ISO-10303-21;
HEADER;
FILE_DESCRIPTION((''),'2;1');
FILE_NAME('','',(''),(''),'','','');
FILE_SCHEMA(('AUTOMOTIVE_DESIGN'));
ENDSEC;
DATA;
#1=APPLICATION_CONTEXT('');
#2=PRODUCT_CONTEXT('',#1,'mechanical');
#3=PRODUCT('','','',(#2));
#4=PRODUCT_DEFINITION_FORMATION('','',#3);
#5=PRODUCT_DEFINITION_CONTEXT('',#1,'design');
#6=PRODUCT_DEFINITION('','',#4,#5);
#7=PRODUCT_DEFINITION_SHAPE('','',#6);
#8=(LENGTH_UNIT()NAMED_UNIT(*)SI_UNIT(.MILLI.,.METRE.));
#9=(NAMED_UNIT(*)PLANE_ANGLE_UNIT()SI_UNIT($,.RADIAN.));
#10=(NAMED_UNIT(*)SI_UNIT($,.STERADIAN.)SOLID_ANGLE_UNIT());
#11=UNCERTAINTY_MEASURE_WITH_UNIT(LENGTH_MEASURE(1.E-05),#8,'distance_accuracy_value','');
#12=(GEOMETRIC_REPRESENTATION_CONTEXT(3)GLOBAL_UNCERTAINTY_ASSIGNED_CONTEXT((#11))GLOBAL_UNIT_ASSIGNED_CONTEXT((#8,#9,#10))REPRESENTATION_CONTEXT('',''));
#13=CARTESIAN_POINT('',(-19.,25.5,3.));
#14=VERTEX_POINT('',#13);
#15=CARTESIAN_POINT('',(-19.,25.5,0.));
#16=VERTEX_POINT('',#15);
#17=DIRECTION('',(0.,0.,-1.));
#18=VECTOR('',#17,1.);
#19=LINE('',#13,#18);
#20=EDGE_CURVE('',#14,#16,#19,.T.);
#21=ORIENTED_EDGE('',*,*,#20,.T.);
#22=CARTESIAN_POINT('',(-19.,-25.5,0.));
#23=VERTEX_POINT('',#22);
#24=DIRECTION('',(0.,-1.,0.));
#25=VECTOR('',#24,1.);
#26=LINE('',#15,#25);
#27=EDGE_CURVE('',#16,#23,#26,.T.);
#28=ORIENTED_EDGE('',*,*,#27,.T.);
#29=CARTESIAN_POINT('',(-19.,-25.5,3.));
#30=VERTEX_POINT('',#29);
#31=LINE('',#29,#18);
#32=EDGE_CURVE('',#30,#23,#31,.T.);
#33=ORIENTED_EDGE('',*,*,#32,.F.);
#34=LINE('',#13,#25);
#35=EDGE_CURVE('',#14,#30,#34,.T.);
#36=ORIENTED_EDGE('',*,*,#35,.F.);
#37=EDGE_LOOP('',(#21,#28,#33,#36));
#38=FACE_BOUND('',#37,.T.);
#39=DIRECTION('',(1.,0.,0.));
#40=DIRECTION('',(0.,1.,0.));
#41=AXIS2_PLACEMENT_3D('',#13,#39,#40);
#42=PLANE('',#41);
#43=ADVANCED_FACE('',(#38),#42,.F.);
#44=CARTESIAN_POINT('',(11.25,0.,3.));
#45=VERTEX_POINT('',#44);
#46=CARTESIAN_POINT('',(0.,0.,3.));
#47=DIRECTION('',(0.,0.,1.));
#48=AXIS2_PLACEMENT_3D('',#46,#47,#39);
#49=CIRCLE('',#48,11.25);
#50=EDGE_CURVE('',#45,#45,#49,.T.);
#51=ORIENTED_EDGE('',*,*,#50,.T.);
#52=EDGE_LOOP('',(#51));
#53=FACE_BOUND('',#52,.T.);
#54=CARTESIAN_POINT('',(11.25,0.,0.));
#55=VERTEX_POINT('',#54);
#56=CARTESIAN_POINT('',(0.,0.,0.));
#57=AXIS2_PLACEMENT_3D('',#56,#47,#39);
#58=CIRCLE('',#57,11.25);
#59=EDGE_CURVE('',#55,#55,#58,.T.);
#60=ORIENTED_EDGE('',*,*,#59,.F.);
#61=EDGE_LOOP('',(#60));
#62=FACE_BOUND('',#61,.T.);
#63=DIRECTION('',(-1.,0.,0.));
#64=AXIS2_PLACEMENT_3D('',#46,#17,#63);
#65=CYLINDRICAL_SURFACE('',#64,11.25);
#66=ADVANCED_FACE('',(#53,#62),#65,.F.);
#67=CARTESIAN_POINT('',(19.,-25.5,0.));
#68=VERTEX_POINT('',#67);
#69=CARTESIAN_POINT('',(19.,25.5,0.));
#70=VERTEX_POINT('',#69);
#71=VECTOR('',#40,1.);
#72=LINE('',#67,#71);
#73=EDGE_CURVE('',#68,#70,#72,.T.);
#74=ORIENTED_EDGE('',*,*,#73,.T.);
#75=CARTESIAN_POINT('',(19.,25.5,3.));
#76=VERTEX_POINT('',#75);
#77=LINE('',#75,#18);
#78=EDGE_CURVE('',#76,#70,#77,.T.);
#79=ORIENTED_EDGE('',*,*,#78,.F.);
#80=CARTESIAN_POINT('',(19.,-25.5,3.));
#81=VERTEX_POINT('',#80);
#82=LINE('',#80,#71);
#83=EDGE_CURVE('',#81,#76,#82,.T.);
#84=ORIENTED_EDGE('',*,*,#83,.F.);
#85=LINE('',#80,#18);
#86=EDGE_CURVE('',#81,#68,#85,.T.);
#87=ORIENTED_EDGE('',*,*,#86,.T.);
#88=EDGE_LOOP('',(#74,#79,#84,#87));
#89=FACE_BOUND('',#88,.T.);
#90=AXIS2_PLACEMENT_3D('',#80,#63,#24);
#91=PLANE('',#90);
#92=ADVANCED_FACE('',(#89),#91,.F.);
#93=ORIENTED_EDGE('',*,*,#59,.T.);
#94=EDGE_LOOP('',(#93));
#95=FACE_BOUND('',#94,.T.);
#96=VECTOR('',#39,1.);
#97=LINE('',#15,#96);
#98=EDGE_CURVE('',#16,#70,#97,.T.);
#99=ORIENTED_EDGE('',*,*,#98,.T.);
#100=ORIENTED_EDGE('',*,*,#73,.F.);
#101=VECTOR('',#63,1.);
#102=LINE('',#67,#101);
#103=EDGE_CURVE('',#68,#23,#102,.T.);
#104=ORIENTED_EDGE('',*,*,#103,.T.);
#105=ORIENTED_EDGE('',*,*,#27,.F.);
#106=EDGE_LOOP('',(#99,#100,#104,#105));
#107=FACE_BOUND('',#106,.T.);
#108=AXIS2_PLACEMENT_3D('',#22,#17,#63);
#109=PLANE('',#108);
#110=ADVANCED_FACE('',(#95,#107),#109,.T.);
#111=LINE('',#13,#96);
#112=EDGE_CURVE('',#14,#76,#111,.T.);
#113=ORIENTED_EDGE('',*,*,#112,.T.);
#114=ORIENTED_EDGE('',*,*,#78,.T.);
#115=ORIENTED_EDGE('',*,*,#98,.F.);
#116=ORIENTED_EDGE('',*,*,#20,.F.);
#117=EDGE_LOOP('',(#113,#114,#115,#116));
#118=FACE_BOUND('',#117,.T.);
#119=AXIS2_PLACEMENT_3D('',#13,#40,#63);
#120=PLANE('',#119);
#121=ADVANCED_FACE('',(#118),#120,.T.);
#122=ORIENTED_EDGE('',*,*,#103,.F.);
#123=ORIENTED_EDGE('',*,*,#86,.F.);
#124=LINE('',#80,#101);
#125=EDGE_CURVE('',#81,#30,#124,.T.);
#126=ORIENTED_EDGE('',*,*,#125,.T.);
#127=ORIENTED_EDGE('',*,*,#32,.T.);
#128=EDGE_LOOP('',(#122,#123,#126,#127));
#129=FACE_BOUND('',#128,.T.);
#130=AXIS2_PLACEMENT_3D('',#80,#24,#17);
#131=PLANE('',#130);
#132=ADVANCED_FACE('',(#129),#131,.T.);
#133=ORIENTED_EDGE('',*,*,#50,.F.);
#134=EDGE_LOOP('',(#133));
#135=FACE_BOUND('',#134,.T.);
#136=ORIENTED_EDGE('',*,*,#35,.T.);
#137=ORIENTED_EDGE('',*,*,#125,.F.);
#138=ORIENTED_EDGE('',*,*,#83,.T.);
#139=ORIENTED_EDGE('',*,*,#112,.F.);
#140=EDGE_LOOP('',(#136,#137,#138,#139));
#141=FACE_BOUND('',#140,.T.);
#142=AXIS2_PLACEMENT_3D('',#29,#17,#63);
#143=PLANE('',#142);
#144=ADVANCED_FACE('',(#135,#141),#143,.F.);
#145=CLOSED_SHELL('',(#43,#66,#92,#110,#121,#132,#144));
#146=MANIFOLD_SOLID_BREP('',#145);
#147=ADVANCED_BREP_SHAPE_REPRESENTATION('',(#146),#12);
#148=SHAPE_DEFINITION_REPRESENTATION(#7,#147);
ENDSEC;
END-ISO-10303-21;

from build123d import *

# Parameters (mm, degrees)
ESQUISSE1_W          = 38
ESQUISSE1_H          = 51
ESQUISSE1_R          = 11.25
BASE_EXTRUSION_DEPTH = 3


with BuildPart() as part:
    # Esquisse1 → Base-Extrusion (new body)
    with BuildSketch(Plane.XY):
        Rectangle(ESQUISSE1_W, ESQUISSE1_H)
        Circle(ESQUISSE1_R, mode=Mode.SUBTRACT)
    extrude(amount=BASE_EXTRUSION_DEPTH)


solid = part.part
